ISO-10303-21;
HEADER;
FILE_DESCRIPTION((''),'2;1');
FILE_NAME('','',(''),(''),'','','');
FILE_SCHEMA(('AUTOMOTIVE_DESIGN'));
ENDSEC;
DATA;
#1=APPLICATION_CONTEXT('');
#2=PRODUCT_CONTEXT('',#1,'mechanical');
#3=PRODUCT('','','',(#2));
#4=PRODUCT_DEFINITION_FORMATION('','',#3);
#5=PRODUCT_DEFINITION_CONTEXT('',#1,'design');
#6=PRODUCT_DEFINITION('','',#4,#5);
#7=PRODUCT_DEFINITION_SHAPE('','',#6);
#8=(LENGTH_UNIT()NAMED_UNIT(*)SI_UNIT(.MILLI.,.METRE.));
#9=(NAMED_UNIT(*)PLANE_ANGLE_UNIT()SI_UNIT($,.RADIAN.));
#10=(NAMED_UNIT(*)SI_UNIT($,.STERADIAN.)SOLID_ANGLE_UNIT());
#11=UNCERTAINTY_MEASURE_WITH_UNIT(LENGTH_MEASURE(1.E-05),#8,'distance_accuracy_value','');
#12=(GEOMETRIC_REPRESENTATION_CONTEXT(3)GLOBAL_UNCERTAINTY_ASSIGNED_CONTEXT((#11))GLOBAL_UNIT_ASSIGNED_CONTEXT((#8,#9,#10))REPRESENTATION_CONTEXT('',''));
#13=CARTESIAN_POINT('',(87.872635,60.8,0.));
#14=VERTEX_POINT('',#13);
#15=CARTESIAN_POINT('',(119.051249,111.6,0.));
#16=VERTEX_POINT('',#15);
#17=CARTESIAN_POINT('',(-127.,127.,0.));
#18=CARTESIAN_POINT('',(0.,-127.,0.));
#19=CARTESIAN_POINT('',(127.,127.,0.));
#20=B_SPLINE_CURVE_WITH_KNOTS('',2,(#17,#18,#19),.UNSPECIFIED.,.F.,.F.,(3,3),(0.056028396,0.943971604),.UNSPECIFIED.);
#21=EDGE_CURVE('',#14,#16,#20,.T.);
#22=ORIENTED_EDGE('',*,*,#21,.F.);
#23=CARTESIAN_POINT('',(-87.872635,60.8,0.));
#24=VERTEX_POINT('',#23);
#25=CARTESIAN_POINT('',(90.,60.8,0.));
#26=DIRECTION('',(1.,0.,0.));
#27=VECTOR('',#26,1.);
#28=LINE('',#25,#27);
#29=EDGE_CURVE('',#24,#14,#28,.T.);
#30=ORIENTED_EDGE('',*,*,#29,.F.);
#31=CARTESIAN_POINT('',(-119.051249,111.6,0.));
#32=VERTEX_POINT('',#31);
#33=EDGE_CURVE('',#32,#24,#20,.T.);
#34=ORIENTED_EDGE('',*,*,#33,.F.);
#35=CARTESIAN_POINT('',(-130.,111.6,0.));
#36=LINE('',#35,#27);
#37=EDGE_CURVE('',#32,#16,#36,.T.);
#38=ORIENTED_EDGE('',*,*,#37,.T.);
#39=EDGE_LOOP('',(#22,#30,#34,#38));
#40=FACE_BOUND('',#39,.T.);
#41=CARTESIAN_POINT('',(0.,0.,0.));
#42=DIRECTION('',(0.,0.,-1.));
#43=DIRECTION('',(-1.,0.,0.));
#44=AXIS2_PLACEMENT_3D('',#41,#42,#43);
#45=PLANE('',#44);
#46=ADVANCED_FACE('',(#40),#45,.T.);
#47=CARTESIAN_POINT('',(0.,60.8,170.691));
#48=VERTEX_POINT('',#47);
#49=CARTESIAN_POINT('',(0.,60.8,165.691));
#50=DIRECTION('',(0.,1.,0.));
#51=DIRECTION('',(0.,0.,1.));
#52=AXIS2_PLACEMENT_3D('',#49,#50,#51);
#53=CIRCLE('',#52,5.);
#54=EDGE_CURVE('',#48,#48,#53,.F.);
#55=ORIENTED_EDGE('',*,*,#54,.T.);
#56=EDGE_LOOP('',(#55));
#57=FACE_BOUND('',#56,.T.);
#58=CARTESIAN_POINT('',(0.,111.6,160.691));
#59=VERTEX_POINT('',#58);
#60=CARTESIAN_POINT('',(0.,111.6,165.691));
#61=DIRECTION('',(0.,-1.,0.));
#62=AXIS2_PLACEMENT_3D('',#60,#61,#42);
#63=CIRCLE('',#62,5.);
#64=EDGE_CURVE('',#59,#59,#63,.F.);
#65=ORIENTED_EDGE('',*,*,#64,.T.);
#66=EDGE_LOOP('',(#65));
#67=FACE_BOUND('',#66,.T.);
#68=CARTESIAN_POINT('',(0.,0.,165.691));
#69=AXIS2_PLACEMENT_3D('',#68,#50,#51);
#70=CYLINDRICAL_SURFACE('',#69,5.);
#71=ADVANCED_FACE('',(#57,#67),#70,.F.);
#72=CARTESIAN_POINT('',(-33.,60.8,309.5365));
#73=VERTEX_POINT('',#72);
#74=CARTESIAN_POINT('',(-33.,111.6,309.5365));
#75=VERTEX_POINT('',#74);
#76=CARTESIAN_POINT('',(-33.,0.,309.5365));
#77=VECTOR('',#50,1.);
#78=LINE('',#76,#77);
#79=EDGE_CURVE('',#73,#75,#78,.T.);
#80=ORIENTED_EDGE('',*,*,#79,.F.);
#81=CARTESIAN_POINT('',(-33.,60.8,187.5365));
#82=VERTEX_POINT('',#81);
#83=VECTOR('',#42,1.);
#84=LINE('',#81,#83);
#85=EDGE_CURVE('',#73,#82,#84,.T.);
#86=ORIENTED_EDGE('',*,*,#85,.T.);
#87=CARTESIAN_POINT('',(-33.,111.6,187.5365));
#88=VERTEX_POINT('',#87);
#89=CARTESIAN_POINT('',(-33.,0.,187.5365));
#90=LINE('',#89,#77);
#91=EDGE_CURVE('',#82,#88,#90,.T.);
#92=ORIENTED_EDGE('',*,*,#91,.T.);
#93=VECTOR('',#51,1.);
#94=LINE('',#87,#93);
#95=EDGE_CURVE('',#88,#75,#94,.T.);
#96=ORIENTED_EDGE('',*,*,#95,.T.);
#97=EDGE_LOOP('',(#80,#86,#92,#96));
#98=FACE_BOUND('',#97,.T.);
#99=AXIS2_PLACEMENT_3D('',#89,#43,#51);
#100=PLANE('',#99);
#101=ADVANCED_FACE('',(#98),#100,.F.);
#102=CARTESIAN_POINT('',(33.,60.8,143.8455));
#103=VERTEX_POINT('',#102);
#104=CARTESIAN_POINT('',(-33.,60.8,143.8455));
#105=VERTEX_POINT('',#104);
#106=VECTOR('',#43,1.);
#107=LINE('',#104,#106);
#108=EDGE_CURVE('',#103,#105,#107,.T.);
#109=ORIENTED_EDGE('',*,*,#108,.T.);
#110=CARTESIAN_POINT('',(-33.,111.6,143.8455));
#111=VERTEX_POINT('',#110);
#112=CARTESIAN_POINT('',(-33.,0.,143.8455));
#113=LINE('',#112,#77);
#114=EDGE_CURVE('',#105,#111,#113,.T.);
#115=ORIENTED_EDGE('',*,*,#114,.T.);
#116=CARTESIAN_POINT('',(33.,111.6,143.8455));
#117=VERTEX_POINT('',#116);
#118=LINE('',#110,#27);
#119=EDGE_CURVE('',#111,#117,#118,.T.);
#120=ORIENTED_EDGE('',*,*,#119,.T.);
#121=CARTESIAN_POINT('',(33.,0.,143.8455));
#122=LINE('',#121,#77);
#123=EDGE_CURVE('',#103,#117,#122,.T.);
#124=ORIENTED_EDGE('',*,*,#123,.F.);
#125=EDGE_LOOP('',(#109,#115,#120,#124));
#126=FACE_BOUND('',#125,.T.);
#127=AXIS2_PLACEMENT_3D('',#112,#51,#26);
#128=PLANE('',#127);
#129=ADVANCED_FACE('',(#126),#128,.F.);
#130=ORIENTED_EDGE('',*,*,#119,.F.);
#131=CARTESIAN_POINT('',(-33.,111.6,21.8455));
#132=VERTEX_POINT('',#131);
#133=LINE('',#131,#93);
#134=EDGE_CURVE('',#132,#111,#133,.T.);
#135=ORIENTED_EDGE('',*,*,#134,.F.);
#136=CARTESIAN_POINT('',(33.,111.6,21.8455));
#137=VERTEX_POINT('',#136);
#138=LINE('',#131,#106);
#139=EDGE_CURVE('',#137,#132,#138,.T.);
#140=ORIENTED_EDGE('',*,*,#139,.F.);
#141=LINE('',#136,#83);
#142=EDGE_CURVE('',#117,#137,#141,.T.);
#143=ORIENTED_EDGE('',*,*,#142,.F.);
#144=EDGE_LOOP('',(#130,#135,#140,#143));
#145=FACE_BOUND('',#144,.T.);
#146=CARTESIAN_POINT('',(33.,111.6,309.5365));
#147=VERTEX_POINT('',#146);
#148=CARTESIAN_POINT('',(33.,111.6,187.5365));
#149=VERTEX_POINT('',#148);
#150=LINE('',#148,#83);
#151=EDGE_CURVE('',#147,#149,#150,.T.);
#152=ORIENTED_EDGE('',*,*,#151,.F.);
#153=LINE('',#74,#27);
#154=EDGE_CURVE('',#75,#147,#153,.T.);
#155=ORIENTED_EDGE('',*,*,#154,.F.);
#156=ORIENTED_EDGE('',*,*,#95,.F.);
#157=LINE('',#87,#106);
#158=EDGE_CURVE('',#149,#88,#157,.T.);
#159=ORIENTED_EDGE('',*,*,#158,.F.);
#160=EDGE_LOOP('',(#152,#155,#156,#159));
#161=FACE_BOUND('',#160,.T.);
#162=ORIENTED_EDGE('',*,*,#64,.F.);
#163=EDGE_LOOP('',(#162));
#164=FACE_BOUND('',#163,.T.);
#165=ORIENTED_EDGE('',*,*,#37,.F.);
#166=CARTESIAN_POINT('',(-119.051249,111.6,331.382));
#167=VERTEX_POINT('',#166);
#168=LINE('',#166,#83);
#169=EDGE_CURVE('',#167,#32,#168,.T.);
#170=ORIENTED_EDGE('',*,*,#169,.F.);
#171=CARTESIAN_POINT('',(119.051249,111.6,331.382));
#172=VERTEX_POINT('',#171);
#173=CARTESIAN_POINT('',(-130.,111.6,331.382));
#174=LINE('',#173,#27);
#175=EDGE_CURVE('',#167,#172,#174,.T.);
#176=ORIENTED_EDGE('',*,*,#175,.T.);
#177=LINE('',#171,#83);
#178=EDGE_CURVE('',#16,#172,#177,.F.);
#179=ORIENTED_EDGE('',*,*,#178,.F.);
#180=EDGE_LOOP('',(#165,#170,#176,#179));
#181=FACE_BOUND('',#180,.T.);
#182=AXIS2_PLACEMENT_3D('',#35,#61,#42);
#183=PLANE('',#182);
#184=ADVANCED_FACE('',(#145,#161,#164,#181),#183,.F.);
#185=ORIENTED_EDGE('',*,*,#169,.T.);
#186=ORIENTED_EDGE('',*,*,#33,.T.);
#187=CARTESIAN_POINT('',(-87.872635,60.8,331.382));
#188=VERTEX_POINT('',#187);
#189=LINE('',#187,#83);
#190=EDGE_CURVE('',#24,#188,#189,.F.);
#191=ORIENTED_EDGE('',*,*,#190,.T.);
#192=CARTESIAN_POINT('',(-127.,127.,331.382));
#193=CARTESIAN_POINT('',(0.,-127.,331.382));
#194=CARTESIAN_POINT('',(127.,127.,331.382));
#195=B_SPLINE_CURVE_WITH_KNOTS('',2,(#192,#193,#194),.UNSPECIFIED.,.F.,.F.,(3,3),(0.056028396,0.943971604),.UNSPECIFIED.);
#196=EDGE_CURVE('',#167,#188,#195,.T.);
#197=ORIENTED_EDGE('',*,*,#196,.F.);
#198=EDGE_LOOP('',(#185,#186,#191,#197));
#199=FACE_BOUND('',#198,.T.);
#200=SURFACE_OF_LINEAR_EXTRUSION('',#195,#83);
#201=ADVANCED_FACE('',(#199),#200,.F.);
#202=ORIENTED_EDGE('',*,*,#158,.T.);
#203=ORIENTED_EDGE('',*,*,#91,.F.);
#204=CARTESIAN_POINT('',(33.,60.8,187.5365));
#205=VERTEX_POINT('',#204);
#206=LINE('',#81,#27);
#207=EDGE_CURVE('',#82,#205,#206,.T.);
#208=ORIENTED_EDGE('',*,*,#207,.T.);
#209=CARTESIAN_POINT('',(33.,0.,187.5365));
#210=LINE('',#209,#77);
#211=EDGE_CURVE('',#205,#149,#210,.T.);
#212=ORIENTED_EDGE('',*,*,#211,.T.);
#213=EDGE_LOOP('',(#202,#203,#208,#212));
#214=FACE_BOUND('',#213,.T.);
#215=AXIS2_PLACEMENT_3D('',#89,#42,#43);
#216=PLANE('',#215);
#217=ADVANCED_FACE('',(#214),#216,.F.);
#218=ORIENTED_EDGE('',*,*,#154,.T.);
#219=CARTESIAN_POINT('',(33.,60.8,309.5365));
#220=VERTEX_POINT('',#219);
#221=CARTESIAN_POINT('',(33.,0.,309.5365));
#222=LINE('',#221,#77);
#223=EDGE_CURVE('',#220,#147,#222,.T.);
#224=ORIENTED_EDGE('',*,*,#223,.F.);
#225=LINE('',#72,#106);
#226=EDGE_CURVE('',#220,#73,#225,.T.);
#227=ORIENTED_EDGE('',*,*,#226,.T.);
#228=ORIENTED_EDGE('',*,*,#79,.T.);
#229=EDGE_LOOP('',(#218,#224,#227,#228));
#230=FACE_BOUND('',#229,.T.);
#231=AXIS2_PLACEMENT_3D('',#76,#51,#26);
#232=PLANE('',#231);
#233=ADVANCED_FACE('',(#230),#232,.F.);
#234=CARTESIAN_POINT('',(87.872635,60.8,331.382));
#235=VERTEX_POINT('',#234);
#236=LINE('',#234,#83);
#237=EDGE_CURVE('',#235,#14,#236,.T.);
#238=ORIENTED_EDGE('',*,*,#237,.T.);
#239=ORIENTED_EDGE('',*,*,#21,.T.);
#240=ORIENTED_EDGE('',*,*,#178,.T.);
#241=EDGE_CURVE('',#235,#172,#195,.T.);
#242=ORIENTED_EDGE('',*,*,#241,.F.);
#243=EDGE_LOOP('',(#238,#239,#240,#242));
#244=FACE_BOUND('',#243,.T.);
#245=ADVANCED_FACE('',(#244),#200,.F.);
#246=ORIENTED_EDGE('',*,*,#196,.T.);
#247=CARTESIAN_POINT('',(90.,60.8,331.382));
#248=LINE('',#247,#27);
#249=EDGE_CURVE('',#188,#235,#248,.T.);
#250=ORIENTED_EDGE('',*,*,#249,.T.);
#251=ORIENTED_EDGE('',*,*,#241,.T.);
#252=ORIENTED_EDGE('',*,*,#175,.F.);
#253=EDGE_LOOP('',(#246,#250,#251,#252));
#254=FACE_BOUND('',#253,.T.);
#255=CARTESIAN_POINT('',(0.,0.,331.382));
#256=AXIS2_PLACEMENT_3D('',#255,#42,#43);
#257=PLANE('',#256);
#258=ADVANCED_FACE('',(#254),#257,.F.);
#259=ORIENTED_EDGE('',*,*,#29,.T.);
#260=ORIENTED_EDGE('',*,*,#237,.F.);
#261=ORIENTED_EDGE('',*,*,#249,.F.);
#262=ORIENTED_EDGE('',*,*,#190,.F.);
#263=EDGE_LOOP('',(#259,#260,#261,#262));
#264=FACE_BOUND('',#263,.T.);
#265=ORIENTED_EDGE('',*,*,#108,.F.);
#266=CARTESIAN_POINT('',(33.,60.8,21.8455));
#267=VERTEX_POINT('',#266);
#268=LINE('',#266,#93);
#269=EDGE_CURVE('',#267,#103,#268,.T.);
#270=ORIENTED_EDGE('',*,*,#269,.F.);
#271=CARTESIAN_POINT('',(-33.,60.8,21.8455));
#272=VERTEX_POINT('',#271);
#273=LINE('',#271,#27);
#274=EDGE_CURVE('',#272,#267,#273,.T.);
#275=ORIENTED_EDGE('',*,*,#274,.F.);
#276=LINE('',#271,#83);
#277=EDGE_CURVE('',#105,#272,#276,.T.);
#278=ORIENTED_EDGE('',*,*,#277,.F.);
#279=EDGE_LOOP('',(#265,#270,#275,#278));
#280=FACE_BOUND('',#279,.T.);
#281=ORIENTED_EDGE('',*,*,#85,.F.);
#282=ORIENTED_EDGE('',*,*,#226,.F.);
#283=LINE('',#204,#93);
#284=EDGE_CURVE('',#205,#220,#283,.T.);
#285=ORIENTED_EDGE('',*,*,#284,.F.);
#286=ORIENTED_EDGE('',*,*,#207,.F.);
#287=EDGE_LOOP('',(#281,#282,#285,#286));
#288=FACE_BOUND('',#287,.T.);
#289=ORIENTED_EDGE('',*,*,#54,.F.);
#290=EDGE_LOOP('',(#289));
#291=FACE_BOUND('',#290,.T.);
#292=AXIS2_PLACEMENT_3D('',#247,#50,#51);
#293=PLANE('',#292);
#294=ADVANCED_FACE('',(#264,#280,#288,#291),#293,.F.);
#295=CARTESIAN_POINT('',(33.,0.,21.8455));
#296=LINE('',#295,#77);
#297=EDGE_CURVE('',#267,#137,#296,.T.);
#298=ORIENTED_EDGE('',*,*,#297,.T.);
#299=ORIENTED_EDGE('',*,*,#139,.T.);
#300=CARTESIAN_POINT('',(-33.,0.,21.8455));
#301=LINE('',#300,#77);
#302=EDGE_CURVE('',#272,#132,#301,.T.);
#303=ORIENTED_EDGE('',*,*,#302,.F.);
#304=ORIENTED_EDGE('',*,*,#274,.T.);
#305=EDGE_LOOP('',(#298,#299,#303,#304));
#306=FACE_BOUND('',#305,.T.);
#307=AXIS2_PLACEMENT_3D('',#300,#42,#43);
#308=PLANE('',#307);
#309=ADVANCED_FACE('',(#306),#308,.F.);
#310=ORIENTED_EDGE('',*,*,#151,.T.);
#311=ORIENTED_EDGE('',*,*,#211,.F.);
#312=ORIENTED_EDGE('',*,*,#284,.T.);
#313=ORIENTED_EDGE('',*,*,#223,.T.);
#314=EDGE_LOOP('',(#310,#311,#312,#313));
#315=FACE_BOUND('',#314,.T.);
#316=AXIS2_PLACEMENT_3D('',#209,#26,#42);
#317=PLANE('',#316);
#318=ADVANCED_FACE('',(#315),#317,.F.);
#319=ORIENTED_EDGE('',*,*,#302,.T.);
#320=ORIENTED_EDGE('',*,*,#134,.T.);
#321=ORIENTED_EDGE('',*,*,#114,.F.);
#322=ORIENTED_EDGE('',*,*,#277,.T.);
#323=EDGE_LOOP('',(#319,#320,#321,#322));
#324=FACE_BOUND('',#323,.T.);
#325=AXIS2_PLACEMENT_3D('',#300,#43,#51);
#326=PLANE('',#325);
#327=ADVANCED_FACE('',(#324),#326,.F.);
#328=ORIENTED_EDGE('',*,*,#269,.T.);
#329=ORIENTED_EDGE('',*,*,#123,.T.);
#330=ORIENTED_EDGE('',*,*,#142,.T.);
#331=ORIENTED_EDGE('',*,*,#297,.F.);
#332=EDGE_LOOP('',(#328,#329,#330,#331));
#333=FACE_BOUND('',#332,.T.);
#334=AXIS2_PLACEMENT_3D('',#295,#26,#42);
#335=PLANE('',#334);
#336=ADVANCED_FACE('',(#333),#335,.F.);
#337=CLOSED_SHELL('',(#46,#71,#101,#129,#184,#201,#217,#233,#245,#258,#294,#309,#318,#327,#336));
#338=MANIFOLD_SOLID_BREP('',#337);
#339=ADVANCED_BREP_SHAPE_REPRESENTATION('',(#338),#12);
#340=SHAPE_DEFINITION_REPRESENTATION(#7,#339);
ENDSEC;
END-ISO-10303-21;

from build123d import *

# Parameters (mm, degrees)
BOSS_EXTRUDE2_DEPTH = 331.382
SKETCH3_R           = 5
SKETCH3_W           = 66
SKETCH3_H           = 122
CUT_EXTRUDE2_DEPTH  = 377.924435453
SKETCH4_W           = 180
SKETCH4_H           = 60.8
CUT_EXTRUDE3_DEPTH  = 377.924435453
SKETCH5_W           = 260
SKETCH5_H           = 20
CUT_EXTRUDE4_DEPTH  = 377.924435453


with BuildPart() as part:
    # Sketch2 → Boss-Extrude2 (new body)
    with BuildSketch(Plane.XY):
        with BuildLine():
            Line((-127, 127), (127, 127))
            add(Edge.make_bspline(
                [(-127, 127), (0, -127), (127, 127)],
                knots=[0.056028396, 0.056028396, 0.056028396, 0.943971604, 0.943971604, 0.943971604], degree=2))
        make_face()
    extrude(amount=BOSS_EXTRUDE2_DEPTH)

    # Sketch3 → Cut-Extrude2 (cut, through all)
    with BuildSketch(Plane(origin=(0, 127, 0), x_dir=(1, 0, 0), z_dir=(0, 1, 0))):
        with Locations(Location((0, -165.691, 0), (0, 0, 270))):
            Circle(SKETCH3_R)
        with Locations((0, -82.8455)):
            Rectangle(SKETCH3_W, SKETCH3_H)
        with Locations((0, -248.5365)):
            Rectangle(SKETCH3_W, SKETCH3_H)
    extrude(amount=-CUT_EXTRUDE2_DEPTH, mode=Mode.SUBTRACT)

    # Sketch4 → Cut-Extrude3 (cut, through all)
    with BuildSketch(Plane(origin=(0, 0, 0), x_dir=(-1, 0, 0), z_dir=(0, 0, -1))):
        with Locations((0, 30.4)):
            Rectangle(SKETCH4_W, SKETCH4_H)
    extrude(amount=-CUT_EXTRUDE3_DEPTH, mode=Mode.SUBTRACT)

    # Sketch5 → Cut-Extrude4 (cut, through all)
    with BuildSketch(Plane.XY.offset(331.382)):
        with Locations((0, 121.6)):
            Rectangle(SKETCH5_W, SKETCH5_H)
    extrude(amount=-CUT_EXTRUDE4_DEPTH, mode=Mode.SUBTRACT)


solid = part.part
